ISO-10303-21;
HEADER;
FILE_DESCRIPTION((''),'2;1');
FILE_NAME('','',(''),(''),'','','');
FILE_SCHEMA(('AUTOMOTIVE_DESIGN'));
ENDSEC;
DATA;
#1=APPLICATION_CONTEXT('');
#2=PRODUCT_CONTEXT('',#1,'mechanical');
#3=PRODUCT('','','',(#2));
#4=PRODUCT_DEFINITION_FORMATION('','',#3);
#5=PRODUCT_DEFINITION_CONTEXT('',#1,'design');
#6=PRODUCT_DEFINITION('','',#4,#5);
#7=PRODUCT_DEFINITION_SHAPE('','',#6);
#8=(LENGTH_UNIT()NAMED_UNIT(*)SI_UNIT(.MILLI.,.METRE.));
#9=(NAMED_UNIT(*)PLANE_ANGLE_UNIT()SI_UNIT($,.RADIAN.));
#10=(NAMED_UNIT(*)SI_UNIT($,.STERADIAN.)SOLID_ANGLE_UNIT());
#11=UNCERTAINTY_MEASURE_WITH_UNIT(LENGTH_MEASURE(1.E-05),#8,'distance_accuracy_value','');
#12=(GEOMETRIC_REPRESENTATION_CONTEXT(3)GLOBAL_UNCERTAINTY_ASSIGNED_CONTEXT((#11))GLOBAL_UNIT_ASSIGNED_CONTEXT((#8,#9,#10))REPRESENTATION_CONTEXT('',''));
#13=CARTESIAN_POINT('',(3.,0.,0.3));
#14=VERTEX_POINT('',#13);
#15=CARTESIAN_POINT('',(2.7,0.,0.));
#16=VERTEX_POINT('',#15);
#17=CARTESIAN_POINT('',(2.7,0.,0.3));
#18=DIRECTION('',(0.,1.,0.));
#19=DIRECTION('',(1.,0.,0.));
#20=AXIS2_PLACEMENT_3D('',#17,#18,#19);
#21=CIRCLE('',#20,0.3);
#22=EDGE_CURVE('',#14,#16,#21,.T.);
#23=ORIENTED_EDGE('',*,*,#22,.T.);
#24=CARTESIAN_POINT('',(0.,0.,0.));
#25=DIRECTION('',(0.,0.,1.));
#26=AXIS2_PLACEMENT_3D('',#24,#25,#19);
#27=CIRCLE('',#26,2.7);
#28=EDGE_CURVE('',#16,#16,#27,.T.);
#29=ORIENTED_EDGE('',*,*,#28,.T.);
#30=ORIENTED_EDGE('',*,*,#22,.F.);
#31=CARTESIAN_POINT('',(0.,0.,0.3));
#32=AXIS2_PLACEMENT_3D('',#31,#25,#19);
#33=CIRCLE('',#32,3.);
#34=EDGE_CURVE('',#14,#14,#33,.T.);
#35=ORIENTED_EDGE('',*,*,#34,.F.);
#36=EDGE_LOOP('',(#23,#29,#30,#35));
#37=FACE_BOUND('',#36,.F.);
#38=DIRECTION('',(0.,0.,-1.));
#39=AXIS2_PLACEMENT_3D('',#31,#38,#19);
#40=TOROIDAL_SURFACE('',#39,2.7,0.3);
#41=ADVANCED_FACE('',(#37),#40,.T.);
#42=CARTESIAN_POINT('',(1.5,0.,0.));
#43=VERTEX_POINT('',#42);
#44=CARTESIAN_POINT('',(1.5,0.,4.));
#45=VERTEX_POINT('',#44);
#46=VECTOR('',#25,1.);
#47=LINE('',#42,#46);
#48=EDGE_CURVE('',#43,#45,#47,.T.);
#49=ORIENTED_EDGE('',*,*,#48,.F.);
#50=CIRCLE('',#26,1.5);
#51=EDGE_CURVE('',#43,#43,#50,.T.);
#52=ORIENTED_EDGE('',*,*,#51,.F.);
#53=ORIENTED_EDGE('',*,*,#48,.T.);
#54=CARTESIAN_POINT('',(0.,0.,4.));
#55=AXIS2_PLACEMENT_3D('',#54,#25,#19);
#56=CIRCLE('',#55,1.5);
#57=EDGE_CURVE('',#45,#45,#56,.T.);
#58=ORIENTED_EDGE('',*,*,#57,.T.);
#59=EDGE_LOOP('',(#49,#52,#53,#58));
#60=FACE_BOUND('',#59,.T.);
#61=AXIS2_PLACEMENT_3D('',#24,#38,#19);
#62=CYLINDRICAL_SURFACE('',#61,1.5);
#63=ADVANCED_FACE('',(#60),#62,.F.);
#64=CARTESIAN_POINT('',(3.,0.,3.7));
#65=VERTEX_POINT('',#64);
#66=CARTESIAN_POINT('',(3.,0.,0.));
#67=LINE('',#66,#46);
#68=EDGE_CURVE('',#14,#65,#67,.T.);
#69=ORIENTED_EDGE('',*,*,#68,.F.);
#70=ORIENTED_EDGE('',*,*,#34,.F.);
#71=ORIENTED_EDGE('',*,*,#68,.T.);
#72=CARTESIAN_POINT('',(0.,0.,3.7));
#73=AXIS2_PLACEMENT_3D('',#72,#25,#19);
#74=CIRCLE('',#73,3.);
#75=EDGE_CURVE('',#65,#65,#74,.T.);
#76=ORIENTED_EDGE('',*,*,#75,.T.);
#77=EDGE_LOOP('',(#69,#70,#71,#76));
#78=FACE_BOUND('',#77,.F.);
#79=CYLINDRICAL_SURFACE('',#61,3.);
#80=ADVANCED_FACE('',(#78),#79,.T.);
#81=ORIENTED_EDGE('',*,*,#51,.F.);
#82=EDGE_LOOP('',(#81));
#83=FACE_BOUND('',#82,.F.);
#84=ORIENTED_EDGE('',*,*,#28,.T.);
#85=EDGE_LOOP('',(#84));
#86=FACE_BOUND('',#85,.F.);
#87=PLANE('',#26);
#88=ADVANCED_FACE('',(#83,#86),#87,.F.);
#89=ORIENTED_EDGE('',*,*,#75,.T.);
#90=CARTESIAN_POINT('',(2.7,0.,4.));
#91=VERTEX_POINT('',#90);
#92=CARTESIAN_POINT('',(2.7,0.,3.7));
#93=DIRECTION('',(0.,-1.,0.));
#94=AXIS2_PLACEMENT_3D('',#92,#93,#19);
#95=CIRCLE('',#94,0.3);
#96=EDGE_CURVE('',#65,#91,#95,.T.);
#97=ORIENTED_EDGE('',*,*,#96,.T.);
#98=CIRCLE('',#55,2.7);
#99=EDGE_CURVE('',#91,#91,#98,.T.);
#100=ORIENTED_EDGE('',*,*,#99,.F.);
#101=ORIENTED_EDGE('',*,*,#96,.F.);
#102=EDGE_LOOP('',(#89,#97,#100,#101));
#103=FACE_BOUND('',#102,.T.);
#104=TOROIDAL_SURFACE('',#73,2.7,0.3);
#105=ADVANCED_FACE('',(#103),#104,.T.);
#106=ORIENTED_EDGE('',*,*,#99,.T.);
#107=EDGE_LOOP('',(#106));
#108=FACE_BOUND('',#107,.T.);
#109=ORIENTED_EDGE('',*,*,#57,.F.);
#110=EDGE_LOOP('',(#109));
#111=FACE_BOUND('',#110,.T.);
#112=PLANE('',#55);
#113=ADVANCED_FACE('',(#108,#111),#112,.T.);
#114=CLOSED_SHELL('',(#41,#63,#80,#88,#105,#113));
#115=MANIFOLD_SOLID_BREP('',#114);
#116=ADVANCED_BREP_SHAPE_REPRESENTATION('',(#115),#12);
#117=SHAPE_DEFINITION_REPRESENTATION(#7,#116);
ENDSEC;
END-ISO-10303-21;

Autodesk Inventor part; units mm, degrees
ref_plane "YZ Plane" through (0, 0, 0) normal (1, 0, 0) x (0, 1, 0)
ref_plane "XZ Plane" through (0, 0, 0) normal (0, 1, 0) x (-1, 0, 0)
ref_plane "XY Plane" through (0, 0, 0) normal (0, 0, 1) x (1, 0, 0)
sketch "スケッチ1" plane through (0, 0, 0) normal (0, 0, 1) x (1, 0, 0)
  circle A0 centre (0, 0) radius 1.5
  circle A1 centre (0, 0) radius 3
  dimension "d0" = 3
  dimension "d1" = 6
extrude "押し出し1" add sketch "スケッチ1" along normal blind 4
fillet "フィレット1" radius 0.3 2 edges at (-3, 0, 4) (-3, 0, 0)
thread "ねじ1" size "M3x0.5" class "6H" standard "ANSI Metric M Profile" length 100
properties part number "スペーサーM3L4黄銅" material "アルミニウム 2014-T4"
